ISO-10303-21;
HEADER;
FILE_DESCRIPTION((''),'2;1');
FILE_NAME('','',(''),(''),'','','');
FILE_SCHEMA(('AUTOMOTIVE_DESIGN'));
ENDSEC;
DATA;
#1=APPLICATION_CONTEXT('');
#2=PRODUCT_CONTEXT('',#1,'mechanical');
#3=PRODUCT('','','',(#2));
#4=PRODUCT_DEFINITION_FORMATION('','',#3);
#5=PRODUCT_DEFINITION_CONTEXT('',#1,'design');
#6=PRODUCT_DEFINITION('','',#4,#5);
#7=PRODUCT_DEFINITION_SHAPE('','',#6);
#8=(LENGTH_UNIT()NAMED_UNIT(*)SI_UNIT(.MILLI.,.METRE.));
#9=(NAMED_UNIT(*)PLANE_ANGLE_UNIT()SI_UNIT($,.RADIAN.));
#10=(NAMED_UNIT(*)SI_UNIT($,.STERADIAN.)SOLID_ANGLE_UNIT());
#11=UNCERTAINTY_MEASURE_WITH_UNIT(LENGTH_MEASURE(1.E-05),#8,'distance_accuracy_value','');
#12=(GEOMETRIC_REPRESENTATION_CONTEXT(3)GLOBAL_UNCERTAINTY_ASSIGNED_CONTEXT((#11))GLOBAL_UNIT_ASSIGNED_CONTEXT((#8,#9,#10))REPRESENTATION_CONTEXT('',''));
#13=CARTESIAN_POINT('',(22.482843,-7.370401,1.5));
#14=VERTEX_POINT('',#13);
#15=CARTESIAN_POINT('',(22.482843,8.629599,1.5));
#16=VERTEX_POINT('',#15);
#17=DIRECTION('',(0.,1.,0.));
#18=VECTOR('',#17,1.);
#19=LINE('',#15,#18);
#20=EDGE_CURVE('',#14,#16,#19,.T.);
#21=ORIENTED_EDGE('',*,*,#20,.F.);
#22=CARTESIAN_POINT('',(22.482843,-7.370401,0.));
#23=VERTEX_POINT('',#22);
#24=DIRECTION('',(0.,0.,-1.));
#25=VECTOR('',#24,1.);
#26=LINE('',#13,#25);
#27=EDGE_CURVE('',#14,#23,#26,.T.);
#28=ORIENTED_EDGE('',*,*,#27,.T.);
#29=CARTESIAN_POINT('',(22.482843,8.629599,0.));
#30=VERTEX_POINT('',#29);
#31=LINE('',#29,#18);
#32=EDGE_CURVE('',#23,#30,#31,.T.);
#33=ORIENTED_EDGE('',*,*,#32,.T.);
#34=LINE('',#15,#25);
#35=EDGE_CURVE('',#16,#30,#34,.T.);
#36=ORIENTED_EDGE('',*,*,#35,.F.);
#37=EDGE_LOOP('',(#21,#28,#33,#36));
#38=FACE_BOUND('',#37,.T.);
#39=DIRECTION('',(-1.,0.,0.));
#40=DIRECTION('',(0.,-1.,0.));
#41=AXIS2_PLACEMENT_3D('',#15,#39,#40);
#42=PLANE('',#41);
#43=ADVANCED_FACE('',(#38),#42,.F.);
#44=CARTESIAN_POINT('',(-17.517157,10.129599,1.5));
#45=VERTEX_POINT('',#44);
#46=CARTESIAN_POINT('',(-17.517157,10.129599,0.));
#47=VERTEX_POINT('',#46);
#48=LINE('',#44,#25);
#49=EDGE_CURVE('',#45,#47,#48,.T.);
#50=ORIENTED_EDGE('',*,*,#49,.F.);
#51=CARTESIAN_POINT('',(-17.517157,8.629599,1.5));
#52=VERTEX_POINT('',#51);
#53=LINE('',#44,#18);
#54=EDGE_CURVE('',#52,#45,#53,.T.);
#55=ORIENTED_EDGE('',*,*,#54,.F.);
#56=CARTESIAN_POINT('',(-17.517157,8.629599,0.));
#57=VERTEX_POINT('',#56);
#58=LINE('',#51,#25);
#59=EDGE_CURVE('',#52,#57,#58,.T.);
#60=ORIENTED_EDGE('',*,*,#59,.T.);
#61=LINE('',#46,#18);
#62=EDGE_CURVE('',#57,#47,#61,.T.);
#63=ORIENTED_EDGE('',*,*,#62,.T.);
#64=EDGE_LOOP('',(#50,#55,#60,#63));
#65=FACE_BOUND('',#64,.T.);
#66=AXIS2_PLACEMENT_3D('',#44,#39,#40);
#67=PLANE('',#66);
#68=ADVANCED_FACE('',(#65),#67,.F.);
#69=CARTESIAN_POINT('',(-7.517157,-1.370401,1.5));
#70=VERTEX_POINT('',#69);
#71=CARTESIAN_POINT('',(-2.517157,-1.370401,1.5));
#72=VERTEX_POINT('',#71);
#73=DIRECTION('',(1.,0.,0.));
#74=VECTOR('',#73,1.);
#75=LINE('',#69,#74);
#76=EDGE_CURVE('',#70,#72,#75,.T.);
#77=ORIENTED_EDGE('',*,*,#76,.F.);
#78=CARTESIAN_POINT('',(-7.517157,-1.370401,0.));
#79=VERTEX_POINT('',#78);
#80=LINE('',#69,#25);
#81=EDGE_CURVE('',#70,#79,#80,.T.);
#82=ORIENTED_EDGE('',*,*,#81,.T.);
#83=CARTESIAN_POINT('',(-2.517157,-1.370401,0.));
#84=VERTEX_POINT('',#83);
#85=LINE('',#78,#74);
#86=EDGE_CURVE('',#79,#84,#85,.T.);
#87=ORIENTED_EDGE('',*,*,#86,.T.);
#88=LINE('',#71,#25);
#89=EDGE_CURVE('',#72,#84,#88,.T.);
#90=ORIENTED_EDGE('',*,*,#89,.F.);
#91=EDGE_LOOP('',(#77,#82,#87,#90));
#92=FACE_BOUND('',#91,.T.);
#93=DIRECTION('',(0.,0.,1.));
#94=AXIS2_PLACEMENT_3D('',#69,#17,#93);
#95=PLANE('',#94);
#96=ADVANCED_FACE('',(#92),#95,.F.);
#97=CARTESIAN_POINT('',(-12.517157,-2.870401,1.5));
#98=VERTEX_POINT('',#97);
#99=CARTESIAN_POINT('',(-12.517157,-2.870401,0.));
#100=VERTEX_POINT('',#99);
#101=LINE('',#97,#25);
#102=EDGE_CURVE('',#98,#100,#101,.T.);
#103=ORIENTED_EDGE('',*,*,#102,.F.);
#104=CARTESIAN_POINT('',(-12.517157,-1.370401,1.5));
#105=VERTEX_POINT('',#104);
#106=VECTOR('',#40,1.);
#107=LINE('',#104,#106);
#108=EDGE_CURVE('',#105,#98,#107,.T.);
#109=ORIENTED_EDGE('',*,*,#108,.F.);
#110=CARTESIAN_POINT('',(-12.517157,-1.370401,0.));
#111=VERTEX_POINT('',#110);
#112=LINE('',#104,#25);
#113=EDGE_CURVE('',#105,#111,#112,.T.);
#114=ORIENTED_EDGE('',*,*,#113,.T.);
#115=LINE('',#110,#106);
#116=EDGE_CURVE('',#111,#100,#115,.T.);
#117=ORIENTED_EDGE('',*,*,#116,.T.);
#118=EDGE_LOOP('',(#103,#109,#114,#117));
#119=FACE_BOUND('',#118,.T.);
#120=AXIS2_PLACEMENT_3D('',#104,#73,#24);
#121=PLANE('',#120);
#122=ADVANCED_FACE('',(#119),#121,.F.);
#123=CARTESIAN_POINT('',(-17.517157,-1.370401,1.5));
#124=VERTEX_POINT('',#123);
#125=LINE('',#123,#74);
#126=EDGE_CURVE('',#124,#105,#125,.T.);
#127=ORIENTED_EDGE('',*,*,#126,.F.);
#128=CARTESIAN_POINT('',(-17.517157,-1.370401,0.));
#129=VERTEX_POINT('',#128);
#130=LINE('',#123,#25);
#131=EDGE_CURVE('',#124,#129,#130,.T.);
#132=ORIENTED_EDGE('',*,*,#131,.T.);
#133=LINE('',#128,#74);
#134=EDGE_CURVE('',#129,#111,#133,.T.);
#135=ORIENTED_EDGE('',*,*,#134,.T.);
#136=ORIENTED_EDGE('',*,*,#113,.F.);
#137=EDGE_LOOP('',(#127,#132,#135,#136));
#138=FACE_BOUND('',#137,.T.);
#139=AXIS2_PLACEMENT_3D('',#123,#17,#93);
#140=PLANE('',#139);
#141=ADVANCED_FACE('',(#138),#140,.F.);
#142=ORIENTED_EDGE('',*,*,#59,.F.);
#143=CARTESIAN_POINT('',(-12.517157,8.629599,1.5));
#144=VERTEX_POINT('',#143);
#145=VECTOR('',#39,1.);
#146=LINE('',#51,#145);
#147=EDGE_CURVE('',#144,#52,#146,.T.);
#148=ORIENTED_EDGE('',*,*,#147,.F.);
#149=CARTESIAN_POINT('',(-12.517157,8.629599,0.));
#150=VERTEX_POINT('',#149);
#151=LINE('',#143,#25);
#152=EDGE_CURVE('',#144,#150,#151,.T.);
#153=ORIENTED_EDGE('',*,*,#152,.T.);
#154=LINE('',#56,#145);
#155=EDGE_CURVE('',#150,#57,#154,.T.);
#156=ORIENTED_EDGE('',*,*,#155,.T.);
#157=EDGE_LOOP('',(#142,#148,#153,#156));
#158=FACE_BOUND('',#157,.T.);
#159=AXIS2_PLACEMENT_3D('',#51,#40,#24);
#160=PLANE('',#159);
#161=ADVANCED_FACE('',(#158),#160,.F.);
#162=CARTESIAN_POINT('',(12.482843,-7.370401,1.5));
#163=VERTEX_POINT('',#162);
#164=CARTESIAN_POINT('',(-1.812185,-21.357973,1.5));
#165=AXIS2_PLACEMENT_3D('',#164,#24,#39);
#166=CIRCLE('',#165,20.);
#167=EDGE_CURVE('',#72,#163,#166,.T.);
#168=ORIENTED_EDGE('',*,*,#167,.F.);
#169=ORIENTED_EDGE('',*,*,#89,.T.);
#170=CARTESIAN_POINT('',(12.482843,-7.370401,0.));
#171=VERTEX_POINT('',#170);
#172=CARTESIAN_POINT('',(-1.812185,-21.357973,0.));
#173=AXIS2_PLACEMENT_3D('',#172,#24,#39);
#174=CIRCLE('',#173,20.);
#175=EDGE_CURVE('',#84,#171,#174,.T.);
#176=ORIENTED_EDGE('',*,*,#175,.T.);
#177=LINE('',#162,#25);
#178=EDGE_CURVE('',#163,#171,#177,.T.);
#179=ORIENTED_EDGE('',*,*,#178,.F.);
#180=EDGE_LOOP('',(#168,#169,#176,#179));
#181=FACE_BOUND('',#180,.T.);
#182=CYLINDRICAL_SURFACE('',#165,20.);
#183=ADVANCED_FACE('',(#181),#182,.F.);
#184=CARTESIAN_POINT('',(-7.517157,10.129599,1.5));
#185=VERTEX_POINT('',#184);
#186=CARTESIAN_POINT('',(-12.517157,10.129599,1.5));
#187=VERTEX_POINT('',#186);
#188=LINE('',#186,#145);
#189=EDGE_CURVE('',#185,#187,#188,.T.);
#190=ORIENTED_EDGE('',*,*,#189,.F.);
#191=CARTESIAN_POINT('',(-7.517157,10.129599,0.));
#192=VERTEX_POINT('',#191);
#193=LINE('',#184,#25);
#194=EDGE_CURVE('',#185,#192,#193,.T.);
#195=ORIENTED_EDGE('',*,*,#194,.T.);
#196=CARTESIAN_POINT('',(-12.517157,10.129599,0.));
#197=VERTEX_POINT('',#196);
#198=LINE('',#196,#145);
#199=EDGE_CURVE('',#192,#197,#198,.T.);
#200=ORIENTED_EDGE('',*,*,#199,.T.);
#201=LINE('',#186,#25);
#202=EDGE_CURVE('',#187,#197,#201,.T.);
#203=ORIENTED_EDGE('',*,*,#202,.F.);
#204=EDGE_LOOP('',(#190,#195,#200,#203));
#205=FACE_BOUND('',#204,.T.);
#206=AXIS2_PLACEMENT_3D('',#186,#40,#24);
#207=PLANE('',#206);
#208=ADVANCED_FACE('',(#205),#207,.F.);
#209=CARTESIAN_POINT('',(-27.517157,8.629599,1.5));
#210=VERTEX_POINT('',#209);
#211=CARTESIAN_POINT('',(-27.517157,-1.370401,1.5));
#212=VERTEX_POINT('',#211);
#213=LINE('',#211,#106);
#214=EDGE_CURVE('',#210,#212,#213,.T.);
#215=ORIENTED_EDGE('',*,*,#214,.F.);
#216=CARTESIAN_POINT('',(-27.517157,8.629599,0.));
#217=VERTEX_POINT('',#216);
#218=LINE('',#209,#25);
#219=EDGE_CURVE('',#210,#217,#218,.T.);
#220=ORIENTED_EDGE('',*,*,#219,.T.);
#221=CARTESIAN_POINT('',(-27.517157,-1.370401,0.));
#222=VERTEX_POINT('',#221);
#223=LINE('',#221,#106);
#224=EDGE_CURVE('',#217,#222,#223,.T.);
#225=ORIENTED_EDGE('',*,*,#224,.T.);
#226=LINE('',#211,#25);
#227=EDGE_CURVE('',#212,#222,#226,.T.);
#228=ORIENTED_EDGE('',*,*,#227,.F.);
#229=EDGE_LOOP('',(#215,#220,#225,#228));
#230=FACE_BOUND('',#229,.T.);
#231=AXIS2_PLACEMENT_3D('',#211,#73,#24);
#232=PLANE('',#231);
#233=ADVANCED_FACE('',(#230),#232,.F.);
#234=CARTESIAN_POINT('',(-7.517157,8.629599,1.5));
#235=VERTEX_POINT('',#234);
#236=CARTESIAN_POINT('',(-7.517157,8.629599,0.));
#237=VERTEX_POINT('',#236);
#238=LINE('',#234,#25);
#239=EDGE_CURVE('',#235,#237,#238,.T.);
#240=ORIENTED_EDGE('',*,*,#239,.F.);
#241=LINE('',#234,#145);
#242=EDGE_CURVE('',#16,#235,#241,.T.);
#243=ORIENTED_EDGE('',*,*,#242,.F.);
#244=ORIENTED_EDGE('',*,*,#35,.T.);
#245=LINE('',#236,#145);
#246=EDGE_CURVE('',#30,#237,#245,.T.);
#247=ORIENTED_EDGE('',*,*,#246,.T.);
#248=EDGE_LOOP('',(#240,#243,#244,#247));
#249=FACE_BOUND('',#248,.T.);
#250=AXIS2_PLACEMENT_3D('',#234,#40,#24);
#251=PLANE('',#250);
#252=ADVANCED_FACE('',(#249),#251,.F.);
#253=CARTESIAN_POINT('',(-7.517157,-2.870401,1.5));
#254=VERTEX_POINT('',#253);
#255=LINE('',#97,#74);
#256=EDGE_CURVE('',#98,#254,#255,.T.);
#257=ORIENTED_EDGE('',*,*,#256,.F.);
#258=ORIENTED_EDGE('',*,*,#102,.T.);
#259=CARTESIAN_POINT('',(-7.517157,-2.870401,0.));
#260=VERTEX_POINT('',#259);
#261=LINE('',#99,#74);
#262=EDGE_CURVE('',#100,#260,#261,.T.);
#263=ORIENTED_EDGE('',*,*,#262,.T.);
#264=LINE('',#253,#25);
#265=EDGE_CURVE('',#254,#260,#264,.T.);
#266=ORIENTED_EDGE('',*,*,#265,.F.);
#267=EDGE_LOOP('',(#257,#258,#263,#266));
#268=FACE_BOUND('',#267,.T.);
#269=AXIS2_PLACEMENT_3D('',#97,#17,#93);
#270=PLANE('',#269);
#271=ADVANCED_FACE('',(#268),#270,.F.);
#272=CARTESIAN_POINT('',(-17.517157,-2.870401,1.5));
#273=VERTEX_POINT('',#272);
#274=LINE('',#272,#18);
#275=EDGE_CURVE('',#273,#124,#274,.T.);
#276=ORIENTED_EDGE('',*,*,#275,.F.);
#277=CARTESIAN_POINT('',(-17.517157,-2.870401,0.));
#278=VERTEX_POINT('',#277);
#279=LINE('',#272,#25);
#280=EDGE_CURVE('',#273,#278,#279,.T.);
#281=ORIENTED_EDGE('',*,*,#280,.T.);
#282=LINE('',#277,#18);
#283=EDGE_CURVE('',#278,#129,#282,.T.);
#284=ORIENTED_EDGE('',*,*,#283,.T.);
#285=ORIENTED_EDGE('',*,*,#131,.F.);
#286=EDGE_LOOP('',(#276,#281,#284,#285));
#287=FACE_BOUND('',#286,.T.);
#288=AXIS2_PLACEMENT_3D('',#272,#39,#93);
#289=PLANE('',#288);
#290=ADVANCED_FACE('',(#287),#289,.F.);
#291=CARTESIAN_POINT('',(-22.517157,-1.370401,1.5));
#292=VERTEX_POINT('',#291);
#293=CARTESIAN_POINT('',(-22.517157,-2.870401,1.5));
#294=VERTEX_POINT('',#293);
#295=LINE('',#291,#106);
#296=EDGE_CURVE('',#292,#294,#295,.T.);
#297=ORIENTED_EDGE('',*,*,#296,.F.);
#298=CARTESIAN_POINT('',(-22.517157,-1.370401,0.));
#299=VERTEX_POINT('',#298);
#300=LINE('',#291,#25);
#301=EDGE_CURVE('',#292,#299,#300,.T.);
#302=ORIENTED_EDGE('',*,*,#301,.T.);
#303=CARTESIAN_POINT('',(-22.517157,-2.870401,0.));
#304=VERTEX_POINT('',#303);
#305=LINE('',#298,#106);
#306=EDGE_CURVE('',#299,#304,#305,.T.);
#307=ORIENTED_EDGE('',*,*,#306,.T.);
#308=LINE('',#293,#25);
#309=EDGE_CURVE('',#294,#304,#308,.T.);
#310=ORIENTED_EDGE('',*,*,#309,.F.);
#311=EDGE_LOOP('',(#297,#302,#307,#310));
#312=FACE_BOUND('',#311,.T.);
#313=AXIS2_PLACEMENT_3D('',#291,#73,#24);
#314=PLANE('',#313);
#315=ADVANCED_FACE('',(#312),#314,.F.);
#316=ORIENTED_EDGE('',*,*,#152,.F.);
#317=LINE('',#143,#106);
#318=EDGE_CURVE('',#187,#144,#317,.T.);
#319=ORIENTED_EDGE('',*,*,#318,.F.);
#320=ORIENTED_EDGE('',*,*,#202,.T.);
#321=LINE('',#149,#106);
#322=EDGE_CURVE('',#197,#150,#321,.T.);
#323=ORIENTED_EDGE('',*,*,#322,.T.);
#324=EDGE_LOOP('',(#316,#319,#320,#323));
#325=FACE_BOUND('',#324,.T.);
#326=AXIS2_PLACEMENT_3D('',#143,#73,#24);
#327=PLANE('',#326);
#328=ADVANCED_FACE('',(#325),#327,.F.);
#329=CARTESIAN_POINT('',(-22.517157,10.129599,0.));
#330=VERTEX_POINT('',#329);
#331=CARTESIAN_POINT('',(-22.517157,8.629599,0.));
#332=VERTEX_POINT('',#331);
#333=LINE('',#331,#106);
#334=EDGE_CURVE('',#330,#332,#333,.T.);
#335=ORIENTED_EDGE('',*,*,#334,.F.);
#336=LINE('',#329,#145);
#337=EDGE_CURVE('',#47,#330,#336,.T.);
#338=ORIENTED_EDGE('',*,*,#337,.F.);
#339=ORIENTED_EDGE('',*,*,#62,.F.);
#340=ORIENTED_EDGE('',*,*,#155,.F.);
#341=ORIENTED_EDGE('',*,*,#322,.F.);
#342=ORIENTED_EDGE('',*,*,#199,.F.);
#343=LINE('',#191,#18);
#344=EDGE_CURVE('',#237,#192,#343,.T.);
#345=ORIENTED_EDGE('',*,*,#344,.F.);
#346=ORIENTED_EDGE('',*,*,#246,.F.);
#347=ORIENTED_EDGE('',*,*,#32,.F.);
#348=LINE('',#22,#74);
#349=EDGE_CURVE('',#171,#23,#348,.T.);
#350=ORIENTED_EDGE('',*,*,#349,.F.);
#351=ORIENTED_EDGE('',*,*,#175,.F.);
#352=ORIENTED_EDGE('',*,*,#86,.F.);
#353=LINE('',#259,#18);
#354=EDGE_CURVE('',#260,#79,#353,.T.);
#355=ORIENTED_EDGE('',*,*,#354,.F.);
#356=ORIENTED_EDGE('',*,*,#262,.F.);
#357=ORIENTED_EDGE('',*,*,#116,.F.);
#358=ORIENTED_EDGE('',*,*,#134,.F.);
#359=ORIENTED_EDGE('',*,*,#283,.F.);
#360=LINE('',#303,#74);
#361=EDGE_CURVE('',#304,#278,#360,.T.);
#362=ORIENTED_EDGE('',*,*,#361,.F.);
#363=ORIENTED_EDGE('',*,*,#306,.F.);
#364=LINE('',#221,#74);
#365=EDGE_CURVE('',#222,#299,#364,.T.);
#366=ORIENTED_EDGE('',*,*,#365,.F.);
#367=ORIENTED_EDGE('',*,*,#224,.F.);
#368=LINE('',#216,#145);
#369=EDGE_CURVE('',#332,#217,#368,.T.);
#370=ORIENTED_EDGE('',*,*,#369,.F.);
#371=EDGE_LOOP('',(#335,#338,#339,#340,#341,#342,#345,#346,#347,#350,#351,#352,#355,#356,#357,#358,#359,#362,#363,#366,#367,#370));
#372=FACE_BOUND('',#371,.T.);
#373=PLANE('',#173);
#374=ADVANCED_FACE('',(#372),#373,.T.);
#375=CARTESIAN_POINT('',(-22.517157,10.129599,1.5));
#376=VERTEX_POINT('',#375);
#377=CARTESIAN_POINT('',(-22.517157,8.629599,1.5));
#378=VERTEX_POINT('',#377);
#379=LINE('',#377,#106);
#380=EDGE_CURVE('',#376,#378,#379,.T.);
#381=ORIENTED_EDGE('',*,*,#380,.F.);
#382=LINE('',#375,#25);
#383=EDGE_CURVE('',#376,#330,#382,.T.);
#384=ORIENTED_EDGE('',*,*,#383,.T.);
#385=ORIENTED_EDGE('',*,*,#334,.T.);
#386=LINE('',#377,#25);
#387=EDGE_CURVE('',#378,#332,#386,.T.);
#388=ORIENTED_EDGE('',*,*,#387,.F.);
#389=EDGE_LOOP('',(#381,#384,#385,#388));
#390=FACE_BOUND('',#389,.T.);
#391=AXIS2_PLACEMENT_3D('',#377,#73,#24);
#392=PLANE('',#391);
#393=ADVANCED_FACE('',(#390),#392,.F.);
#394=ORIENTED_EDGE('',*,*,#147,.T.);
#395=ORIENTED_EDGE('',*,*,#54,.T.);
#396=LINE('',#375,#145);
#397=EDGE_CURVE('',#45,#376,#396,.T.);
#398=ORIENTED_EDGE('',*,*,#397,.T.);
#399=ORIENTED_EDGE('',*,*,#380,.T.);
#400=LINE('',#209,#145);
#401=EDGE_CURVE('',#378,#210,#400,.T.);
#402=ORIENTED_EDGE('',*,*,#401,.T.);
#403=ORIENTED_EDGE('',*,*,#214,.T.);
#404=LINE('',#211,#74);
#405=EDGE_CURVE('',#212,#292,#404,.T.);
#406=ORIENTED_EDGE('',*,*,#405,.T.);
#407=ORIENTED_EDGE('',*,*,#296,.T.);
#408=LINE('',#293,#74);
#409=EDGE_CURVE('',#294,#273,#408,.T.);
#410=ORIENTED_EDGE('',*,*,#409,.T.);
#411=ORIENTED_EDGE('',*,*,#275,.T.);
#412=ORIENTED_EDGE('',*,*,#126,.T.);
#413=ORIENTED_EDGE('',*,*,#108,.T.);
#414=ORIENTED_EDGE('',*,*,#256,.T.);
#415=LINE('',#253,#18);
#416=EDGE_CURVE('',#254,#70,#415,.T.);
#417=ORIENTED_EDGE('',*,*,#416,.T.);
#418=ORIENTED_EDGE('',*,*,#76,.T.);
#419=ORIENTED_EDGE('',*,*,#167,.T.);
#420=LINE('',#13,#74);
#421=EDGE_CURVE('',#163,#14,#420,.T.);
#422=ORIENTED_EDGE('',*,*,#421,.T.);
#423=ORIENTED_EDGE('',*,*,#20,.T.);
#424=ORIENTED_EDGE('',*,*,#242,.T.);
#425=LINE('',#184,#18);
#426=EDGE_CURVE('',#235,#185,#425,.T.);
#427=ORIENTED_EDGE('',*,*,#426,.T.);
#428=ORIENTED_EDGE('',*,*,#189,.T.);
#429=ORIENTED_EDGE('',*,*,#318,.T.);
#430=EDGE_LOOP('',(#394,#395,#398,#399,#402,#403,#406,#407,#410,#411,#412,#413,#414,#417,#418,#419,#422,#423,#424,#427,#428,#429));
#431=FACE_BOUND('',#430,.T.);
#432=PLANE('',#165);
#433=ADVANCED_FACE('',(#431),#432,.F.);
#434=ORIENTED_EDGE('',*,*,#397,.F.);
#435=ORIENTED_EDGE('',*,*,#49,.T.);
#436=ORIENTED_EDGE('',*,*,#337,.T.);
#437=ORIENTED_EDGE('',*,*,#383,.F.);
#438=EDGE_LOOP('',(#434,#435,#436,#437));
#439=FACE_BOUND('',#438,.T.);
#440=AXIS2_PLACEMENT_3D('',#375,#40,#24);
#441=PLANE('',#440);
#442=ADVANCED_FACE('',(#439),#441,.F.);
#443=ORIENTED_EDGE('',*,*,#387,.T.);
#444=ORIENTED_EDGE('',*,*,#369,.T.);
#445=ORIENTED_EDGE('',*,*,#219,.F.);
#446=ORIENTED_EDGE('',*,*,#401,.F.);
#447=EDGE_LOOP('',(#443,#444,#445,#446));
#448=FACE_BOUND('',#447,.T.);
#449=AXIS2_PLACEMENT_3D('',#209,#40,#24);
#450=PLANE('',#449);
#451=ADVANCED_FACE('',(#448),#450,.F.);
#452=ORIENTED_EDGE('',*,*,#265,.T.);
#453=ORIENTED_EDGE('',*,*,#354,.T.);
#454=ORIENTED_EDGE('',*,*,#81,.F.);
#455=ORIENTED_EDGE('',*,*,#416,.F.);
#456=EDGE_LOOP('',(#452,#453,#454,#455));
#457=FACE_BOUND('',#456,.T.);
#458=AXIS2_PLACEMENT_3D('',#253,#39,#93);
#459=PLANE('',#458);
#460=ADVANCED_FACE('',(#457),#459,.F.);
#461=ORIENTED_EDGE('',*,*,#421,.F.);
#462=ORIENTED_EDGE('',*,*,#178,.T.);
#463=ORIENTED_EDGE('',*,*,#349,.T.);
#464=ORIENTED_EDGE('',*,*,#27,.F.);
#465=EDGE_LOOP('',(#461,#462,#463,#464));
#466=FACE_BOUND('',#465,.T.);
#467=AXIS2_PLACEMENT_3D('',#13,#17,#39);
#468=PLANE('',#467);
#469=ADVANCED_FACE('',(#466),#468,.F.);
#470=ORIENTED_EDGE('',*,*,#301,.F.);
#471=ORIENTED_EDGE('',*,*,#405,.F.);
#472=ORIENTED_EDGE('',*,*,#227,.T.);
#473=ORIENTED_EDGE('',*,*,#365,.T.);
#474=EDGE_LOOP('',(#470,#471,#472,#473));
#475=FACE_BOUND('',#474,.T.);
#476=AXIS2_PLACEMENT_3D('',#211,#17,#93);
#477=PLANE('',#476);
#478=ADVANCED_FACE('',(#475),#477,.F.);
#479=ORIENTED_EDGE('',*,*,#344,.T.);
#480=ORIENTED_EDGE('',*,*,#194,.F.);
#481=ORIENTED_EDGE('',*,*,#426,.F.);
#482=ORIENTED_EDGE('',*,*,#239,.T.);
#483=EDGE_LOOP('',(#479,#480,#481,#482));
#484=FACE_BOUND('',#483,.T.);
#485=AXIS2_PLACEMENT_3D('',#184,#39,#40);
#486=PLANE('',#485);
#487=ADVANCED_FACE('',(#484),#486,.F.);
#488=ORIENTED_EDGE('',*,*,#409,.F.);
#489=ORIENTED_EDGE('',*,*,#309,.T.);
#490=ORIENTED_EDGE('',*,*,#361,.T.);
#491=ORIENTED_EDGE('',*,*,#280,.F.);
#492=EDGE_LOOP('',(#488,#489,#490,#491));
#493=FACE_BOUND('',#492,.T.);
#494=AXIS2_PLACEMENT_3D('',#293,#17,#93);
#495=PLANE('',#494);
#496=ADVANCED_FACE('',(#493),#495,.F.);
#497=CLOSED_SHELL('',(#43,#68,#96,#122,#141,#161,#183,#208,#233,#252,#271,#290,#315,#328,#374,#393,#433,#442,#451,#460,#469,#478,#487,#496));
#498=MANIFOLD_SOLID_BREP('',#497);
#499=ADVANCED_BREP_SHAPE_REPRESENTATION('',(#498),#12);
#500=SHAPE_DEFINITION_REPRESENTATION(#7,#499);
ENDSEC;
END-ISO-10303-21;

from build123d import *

# Parameters (mm, degrees)
BOSS_EXTRUDE1_DEPTH = 1.5


with BuildPart() as part:
    # Sketch2 → Boss-Extrude1 (new body)
    with BuildSketch(Plane.XY):
        with BuildLine():
            Line((-27.517156851, -1.370401199), (-27.517156851, 8.629598801))
            Line((-27.517156851, 8.629598801), (-22.517156851, 8.629598801))
            Line((-22.517156851, 8.629598801), (-22.517156851, 10.129598801))
            Line((-22.517156851, 10.129598801), (-17.517156851, 10.129598801))
            Line((-17.517156851, 10.129598801), (-17.517156851, 8.629598801))
            Line((-17.517156851, 8.629598801), (-12.517156851, 8.629598801))
            Line((-12.517156851, 8.629598801), (-12.517156851, 10.129598801))
            Line((-12.517156851, 10.129598801), (-7.517156851, 10.129598801))
            Line((-7.517156851, 10.129598801), (-7.517156851, 8.629598801))
            Line((-7.517156851, 8.629598801), (22.482843149, 8.629598801))
            Line((22.482843149, 8.629598801), (22.482843149, -7.370401199))
            Line((22.482843149, -7.370401199), (12.482843149, -7.370401199))
            ThreePointArc((12.482843149, -7.370401199), (5.615628068, -2.788438903), (-2.517156851, -1.370401199))
            Line((-2.517156851, -1.370401199), (-7.517156851, -1.370401199))
            Line((-7.517156851, -1.370401199), (-7.517156851, -2.870401199))
            Line((-7.517156851, -2.870401199), (-12.517156851, -2.870401199))
            Line((-12.517156851, -2.870401199), (-12.517156851, -1.370401199))
            Line((-12.517156851, -1.370401199), (-17.517156851, -1.370401199))
            Line((-17.517156851, -1.370401199), (-17.517156851, -2.870401199))
            Line((-17.517156851, -2.870401199), (-22.517156851, -2.870401199))
            Line((-22.517156851, -2.870401199), (-22.517156851, -1.370401199))
            Line((-22.517156851, -1.370401199), (-27.517156851, -1.370401199))
        make_face()
    extrude(amount=BOSS_EXTRUDE1_DEPTH)


solid = part.part
